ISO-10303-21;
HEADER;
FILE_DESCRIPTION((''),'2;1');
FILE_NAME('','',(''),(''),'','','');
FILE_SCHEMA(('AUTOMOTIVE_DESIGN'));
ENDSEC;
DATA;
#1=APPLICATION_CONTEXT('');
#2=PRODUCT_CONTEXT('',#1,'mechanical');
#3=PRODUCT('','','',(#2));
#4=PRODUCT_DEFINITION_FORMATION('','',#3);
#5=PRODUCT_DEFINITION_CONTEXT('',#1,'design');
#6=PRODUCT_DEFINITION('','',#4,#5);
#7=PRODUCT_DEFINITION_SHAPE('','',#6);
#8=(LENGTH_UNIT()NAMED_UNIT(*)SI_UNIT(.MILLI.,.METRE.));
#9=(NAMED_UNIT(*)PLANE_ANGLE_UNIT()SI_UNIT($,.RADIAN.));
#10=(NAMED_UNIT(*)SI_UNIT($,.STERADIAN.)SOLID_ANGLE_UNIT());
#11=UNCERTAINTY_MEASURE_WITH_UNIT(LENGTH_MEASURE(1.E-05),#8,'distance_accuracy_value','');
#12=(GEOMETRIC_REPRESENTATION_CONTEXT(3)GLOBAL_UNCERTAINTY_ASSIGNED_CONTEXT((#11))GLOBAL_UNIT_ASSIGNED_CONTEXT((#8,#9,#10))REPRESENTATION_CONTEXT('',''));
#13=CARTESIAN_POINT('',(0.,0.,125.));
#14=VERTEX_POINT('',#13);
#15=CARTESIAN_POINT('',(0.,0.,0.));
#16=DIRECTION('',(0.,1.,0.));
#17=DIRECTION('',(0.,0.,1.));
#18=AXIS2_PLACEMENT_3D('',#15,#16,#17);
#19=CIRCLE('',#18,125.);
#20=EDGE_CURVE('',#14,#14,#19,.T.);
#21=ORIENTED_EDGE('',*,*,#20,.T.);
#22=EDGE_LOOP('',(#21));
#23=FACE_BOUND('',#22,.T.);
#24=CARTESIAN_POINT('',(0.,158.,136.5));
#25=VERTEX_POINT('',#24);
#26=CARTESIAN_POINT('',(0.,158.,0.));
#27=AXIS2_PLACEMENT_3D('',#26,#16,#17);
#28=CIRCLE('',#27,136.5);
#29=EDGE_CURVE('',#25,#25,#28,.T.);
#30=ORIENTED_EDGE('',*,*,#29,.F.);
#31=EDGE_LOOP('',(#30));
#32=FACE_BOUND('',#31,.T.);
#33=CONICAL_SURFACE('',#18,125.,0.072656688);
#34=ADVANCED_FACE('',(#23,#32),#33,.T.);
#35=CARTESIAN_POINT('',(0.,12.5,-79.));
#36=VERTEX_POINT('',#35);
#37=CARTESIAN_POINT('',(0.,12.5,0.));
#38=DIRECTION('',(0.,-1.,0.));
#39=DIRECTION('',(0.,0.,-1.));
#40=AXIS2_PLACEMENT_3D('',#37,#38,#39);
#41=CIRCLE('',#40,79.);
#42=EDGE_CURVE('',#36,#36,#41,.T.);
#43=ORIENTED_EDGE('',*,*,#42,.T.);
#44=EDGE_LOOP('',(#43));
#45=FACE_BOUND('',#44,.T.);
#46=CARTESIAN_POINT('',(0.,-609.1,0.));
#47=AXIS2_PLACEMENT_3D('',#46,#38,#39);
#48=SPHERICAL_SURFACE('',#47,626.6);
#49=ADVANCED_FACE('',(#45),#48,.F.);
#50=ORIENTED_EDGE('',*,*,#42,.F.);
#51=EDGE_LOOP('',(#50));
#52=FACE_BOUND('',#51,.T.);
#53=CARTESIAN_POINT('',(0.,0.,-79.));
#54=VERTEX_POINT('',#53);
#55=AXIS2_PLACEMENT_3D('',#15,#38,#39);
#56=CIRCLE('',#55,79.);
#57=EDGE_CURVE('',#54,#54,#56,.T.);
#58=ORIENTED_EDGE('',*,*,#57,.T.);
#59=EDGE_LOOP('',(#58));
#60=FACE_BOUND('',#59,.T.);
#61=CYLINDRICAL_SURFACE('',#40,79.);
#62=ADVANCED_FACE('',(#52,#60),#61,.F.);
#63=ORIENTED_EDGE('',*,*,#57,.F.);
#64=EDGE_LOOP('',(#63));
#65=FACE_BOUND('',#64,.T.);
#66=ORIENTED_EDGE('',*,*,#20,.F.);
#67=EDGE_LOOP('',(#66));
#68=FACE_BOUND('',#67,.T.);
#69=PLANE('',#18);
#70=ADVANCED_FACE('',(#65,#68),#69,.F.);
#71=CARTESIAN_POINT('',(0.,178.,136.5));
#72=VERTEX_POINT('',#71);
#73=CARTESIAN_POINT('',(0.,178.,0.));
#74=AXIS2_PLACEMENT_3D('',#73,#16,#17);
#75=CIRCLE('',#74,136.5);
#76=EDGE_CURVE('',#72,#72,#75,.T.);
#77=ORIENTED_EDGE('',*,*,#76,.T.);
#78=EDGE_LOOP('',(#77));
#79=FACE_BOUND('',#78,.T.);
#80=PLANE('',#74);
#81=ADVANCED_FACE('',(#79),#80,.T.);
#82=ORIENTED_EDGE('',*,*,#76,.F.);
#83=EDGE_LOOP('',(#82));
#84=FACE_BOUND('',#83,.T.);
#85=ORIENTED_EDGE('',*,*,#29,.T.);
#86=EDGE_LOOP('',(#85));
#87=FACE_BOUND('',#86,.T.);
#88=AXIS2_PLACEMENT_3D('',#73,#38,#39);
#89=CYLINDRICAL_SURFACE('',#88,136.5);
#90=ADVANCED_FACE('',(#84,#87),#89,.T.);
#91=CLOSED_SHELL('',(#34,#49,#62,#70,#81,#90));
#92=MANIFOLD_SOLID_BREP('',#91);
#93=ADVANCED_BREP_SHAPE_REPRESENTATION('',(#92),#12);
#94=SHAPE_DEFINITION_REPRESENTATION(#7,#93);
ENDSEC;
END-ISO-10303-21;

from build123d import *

# Parameters (mm, degrees)
IZIM10_R                    = 136.5
IZIM9_R                     = 125
IZIM11_R                    = 136.5
Y_KSEKLIK_EKSTR_ZYON2_DEPTH = 20
IZIM12_R                    = 79
KES_EKSTR_ZYON3_DEPTH       = 12.5
KUBBE3_FACE_RADIUS          = 79
KUBBE3_HEIGHT               = 5


with BuildPart() as part:
    # Çizim10 → Loft2 section 0
    with BuildSketch(Plane(origin=(0, 158, 0), x_dir=(1, 0, 0), z_dir=(0, 1, 0))):
        Circle(IZIM10_R)
    # Çizim9 → Loft2 section 1
    with BuildSketch(Plane(origin=(0, 0, 0), x_dir=(1, 0, 0), z_dir=(0, 1, 0))):
        Circle(IZIM9_R)
    loft()

    # Çizim11 → Yükseklik-Ekstrüzyon2 (add)
    with BuildSketch(Plane(origin=(0, 158, 0), x_dir=(1, 0, 0), z_dir=(0, 1, 0))):
        with Locations(Location((0, 0, 0), (0, 0, 270))):
            Circle(IZIM11_R)
    extrude(amount=Y_KSEKLIK_EKSTR_ZYON2_DEPTH)

    # Çizim12 → Kes-Ekstrüzyon3 (cut)
    with BuildSketch(Plane.XZ):
        with Locations(Location((0, 0, 0), (0, 0, 270))):
            Circle(IZIM12_R)
    extrude(amount=-KES_EKSTR_ZYON3_DEPTH, mode=Mode.SUBTRACT)

    # Kubbe3: a dome of height H over a round flat face of radius A is a cap of a sphere of radius (A * A + H * H) / (2 * H)
    kubbe3_r = (KUBBE3_FACE_RADIUS * KUBBE3_FACE_RADIUS + KUBBE3_HEIGHT * KUBBE3_HEIGHT) / (2 * KUBBE3_HEIGHT)
    kubbe3_base = Plane((0, 12.5, 0), z_dir=(0, 1, 0))
    with Locations(kubbe3_base.offset(KUBBE3_HEIGHT - kubbe3_r)):
        kubbe3_ball = Sphere(kubbe3_r, mode=Mode.PRIVATE)
    add(split(kubbe3_ball, bisect_by=kubbe3_base, keep=Keep.TOP, mode=Mode.PRIVATE), mode=Mode.SUBTRACT)


solid = part.part
